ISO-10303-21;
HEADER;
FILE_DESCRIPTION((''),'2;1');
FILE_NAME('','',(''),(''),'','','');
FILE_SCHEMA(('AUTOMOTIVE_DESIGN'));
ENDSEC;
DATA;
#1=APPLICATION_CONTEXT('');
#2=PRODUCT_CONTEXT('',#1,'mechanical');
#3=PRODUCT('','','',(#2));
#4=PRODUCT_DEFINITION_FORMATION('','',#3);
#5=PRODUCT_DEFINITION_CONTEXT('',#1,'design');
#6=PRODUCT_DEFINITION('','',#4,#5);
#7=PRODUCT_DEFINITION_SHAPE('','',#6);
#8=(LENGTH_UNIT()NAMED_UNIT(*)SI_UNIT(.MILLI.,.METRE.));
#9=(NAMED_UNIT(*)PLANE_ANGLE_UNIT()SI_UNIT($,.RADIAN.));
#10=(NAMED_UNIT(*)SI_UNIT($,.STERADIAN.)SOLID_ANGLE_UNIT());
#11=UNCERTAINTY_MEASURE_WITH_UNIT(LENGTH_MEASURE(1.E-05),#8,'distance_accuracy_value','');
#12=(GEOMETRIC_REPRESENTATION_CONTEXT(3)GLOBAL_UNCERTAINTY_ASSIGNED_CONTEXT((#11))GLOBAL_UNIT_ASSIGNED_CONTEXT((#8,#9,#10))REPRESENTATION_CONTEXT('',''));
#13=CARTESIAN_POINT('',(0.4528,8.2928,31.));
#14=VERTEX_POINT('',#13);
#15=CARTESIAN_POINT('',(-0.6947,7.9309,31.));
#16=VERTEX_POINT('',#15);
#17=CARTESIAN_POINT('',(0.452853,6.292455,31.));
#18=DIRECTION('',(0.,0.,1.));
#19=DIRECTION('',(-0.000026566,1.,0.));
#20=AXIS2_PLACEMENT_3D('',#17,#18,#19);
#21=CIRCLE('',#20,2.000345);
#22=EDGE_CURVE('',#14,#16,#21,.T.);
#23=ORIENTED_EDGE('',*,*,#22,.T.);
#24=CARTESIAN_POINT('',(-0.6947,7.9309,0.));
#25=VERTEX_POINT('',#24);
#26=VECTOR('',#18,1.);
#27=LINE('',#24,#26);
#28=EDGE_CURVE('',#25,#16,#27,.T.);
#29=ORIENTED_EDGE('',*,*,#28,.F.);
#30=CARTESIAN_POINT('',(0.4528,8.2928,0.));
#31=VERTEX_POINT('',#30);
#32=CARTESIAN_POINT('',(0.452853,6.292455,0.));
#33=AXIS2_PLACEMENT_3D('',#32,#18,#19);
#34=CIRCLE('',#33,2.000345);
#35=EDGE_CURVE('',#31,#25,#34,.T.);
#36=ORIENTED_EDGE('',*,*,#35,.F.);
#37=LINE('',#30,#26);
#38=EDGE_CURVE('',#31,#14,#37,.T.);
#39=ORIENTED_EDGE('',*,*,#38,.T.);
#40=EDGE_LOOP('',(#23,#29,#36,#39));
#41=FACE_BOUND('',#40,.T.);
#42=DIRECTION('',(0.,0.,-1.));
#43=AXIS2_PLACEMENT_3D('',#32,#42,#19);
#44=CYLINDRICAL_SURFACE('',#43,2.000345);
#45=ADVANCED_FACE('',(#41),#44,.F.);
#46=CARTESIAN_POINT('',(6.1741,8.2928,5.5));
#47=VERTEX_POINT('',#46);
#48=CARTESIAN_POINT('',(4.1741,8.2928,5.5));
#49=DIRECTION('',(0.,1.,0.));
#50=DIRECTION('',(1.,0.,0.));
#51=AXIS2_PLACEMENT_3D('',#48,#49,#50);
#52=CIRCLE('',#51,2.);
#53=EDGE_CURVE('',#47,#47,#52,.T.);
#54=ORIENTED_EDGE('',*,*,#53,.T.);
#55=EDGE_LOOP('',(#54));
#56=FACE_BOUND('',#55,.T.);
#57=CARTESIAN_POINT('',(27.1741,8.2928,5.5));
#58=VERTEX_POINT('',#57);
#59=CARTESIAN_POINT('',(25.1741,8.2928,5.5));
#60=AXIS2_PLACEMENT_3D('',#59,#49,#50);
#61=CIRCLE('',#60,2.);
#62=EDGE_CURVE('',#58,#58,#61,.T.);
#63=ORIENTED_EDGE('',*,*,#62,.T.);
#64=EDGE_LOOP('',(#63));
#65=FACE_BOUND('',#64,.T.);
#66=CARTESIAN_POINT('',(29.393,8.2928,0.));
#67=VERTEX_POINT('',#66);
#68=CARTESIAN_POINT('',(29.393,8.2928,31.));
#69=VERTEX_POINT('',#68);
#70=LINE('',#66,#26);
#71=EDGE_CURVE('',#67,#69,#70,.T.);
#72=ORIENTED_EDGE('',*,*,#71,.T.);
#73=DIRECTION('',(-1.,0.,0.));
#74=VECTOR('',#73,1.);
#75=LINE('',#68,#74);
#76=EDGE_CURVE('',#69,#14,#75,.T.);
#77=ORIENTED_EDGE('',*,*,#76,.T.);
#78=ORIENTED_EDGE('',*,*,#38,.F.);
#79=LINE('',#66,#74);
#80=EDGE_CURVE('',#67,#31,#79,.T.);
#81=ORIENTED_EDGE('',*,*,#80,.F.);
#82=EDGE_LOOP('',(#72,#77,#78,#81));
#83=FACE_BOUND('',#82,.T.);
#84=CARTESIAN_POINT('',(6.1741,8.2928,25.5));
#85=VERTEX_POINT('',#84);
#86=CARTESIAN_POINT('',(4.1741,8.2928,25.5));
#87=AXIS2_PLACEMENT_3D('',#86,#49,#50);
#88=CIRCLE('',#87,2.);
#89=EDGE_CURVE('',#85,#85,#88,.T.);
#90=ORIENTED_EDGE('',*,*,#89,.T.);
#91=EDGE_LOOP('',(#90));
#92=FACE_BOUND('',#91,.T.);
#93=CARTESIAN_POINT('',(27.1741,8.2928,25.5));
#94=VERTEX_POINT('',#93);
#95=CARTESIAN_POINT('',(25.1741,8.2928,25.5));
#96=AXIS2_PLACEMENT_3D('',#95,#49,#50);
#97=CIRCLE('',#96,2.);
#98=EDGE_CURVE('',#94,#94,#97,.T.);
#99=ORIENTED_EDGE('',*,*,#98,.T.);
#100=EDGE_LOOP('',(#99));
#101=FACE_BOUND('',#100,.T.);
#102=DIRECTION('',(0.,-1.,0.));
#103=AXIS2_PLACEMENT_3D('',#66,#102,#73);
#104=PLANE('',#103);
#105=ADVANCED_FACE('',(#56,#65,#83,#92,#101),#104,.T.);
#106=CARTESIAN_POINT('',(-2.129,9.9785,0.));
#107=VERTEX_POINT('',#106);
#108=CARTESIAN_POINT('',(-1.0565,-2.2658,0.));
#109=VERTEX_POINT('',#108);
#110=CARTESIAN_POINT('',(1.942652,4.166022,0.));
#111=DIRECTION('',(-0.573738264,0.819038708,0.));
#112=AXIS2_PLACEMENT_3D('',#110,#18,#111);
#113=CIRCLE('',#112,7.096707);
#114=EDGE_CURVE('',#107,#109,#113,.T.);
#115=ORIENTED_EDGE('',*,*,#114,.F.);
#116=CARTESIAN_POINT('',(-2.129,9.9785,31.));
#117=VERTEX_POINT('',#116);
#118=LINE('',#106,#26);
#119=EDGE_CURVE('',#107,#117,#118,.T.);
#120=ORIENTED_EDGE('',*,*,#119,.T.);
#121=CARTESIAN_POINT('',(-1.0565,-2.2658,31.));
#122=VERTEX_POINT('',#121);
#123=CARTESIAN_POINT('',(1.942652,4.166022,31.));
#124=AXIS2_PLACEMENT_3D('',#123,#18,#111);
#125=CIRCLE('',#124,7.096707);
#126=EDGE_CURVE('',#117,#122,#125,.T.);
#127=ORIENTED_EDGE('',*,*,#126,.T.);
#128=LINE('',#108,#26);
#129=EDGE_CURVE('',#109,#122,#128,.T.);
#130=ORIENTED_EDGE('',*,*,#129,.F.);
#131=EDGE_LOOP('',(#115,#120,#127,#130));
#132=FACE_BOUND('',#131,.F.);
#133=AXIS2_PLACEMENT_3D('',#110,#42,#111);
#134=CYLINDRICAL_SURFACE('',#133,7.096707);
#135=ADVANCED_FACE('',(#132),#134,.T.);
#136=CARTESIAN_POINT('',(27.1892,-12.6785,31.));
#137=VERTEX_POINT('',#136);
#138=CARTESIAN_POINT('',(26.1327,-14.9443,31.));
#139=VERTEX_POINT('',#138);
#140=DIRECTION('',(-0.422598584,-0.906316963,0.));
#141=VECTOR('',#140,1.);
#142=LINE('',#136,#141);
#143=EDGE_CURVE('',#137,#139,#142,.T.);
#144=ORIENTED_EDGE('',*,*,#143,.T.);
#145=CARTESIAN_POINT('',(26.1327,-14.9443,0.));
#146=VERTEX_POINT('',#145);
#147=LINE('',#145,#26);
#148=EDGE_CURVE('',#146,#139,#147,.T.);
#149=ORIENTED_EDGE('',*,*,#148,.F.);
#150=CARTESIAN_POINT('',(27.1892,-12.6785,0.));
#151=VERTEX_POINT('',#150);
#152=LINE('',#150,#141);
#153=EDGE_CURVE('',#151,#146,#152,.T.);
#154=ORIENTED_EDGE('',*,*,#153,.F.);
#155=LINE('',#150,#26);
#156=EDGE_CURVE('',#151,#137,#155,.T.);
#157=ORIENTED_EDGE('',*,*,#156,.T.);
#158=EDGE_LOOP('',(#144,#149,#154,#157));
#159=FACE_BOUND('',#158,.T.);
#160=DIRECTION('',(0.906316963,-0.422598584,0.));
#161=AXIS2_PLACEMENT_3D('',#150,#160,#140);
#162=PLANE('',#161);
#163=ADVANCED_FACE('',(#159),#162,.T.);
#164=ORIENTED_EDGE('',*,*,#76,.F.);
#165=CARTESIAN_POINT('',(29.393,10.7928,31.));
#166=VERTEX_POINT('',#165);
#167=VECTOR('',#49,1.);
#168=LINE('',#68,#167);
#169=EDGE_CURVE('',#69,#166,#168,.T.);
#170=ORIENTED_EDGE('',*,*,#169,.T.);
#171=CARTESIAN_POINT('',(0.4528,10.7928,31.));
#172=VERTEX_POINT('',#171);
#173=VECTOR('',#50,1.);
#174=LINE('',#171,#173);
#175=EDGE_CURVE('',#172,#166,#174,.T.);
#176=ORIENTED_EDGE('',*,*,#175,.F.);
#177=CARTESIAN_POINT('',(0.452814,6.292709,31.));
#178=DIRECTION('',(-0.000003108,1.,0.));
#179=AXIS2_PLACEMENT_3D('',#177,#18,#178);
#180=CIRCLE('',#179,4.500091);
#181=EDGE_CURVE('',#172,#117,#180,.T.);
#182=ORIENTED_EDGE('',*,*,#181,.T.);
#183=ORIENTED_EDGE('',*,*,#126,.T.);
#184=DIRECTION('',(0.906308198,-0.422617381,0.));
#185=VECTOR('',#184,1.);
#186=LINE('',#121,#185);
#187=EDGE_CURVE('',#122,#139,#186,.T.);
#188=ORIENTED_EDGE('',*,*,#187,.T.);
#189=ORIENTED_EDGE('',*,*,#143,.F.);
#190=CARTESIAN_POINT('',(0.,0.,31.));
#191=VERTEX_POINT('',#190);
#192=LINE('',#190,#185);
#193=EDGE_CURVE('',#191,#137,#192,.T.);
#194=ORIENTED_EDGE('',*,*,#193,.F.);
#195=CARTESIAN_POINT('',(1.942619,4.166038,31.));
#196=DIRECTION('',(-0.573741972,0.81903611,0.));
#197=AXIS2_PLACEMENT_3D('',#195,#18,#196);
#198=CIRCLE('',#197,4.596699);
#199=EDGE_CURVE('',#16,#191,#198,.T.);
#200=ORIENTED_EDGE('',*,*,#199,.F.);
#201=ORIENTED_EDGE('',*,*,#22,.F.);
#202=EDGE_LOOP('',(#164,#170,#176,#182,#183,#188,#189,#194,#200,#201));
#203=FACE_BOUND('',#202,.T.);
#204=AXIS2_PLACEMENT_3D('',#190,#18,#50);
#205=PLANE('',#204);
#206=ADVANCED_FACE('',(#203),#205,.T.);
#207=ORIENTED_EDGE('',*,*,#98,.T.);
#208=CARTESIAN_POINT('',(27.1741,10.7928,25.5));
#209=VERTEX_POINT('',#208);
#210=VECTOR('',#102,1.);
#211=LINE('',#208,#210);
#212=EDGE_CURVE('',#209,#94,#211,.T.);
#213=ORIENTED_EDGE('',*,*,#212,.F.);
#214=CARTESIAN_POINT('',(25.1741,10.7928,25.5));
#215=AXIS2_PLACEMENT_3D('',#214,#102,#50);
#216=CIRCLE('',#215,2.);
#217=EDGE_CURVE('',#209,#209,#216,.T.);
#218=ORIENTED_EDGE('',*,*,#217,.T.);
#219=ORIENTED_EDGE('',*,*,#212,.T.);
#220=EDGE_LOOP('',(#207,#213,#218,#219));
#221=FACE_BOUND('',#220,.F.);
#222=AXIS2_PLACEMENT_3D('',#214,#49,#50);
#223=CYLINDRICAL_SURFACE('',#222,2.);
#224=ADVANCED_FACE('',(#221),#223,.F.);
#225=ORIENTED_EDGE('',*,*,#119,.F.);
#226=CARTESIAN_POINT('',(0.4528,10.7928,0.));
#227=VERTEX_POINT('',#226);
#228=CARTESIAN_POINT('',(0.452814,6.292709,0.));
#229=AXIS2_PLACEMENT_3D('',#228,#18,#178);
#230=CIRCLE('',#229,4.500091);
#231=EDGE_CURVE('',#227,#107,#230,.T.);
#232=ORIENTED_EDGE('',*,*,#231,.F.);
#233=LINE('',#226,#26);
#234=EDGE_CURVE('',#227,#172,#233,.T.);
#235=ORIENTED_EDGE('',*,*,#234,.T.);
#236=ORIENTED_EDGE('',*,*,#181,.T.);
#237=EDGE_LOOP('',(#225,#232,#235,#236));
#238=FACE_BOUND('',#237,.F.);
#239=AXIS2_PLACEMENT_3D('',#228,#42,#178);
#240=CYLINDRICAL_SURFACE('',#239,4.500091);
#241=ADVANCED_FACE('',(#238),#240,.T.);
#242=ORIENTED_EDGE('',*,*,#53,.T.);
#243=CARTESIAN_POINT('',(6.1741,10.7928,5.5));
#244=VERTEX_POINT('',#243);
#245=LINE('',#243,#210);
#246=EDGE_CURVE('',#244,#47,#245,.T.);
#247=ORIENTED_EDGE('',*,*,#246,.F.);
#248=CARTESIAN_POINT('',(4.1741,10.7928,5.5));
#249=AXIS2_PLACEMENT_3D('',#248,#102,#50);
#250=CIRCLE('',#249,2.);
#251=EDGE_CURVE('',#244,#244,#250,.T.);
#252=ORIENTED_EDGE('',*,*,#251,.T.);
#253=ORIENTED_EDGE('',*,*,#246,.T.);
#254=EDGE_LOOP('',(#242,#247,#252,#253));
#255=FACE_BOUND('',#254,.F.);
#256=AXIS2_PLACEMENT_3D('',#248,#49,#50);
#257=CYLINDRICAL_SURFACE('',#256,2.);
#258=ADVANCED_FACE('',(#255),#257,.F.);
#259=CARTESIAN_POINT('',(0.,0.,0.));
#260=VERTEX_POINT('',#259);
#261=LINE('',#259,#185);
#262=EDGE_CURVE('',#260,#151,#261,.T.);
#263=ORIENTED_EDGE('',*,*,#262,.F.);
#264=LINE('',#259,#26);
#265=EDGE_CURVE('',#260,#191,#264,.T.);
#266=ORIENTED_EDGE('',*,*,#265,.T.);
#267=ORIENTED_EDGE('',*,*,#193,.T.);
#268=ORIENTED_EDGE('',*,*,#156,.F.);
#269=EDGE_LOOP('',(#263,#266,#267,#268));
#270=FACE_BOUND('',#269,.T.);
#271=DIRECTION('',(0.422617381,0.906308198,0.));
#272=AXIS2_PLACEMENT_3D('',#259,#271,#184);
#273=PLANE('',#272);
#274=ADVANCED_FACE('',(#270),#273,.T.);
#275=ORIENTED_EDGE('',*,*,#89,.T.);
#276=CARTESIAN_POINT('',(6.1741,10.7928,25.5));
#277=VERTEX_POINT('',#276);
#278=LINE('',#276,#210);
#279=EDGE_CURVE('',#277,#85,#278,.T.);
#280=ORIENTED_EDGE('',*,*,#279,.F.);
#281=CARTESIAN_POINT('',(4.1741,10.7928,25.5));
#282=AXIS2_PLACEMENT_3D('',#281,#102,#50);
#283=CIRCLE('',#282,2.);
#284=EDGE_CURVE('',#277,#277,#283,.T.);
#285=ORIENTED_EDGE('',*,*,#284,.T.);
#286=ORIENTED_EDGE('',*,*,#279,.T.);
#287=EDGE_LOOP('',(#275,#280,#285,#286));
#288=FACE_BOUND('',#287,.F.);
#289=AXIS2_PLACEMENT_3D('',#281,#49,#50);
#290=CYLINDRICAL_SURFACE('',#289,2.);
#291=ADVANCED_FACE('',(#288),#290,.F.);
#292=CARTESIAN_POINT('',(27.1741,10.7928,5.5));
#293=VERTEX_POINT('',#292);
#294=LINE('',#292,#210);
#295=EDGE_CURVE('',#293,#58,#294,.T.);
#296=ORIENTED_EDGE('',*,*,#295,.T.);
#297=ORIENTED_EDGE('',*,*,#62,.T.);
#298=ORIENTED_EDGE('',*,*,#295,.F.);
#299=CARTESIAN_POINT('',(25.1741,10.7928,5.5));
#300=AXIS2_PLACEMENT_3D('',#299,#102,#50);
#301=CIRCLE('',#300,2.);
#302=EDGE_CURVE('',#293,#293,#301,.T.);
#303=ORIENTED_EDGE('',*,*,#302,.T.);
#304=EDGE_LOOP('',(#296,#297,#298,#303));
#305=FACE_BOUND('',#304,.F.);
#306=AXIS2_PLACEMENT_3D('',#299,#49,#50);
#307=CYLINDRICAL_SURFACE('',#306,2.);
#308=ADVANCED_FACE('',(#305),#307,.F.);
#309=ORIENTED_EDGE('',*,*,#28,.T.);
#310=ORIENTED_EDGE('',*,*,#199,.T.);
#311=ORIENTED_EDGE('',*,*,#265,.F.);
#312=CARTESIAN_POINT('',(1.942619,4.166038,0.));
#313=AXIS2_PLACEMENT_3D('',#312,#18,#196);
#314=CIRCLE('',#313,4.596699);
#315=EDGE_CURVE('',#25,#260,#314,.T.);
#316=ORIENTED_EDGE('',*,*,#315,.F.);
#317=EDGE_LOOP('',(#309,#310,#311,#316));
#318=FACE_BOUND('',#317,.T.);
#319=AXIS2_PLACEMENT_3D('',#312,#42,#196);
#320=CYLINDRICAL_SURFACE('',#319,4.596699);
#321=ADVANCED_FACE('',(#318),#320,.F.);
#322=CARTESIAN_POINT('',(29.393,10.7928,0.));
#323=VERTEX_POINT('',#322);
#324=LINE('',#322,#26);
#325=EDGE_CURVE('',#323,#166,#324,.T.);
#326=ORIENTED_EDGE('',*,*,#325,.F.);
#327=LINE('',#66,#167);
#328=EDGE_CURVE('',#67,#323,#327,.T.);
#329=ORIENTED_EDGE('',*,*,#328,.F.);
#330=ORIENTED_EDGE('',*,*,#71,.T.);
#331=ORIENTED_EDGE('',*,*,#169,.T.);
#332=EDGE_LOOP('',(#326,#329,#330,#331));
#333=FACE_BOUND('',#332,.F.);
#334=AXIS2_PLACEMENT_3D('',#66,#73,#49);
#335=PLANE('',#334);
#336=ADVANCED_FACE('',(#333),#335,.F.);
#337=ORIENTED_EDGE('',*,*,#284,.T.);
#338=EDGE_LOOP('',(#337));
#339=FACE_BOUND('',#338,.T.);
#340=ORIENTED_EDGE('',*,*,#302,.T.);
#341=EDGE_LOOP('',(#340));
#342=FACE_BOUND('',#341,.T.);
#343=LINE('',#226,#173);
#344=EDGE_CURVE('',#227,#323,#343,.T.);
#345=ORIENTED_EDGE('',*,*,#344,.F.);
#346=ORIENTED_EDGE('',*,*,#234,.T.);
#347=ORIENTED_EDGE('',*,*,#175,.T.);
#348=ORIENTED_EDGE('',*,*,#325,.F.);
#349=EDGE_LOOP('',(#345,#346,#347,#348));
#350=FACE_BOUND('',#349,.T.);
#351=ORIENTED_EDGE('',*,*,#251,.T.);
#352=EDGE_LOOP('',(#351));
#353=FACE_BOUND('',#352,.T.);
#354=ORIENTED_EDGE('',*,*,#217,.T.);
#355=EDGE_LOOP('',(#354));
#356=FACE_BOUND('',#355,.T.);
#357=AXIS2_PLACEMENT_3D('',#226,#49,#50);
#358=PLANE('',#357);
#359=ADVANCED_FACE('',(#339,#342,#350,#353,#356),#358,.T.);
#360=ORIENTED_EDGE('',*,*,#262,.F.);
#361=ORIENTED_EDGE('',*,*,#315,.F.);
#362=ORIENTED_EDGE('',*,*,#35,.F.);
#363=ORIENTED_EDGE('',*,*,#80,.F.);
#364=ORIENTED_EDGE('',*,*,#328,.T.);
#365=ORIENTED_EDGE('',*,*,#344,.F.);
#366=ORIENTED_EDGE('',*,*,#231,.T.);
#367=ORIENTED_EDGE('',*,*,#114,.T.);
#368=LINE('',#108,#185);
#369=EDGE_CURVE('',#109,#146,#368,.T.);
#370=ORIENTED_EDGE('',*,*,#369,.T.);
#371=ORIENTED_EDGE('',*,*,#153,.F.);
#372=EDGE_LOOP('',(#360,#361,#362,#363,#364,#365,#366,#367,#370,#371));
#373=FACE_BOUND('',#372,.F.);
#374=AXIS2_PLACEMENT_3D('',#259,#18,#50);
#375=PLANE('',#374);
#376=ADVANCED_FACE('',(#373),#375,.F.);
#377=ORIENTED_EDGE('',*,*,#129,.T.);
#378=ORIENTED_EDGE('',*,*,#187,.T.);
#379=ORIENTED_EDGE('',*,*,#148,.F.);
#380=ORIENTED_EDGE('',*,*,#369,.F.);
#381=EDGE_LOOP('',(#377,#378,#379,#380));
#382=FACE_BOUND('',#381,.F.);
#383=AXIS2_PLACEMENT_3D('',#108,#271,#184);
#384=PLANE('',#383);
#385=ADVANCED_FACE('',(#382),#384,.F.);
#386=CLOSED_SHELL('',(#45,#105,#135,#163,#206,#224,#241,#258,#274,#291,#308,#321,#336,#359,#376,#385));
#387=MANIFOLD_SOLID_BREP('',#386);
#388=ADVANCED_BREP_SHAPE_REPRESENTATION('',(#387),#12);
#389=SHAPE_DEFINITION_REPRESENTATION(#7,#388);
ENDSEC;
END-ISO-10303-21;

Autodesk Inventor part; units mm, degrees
ref_plane "YZ Plane" through (0, 0, 0) normal (1, 0, 0) x (0, 1, 0)
ref_plane "XZ Plane" through (0, 0, 0) normal (0, 1, 0) x (-1, 0, 0)
sketch "Sketch1" plane through (0, 0, 0) normal (0, 0, 1) x (1, 0, 0)
  line L0 (0, 0) -> (27.1892, -12.6785) projected
  line L1 (-1.0565, -2.2658) -> (26.1327, -14.9443) projected
  line L2 (-1.8478, -3.9627) -> (0.8452, 1.8126) projected
  line L3 (27.1892, -12.6785) -> (26.1327, -14.9443) projected
  line L4 (29.393, 8.2928) -> (0.4528, 8.2928)
  arc A0 (-0.6947, 7.9309) -> (0, 0) centre (1.9427, 4.166) ccw
  arc A1 (0.4528, 8.2928) -> (-0.6947, 7.9309) centre (0.4528, 6.2928) ccw
  arc A2 (-2.129, 9.9785) -> (-1.0565, -2.2658) centre (1.9427, 4.166) ccw
  arc A3 (0.4528, 10.7928) -> (-2.129, 9.9785) centre (0.4528, 6.2928) ccw
  line L5 (0.4528, 10.7928) -> (29.393, 10.7928)
  line L6 (29.393, 8.2928) -> (29.393, 10.7928)
  point P0 (-0.082, 8.2928)
  dimension "d2" = 2
ref_plane "Work Plane1" through (-1.0565, -14.9443, 31) normal (0, 0, -1) x (0, 1, 0)
extrude "Extrusion1" add sketch "Sketch1" along normal up to surface (31 mm away)
sketch "Sketch2" plane through (0.4528, 10.7928, 0) normal (0, 1, 0) x (1, 0, 0)
  line L0 (28.9401, 0) -> (28.9401, -31) projected
  line L1 (0, 0) -> (0, -31) projected
  line L2 (28.9401, 0) -> (0, 0)
  line L3 (0, 0) -> (0, -15.5)
  line L4 (0, -15.5) -> (28.9401, -15.5)
  line L5 (28.9401, -15.5) -> (28.9401, 0)
  line L6 (24.7213, -15.5) -> (28.7213, -15.5)
  line L7 (24.7213, -15.5) -> (24.7213, -25.5)
  line L8 (24.7213, -25.5) -> (3.7213, -25.5)
  line L9 (3.7213, -25.5) -> (3.7213, -5.5)
  line L10 (3.7213, -5.5) -> (24.7213, -5.5)
  line L11 (24.7213, -5.5) -> (24.7213, -25.5)
  circle A0 centre (24.7213, -5.5) radius 2
  circle A1 centre (24.7213, -25.5) radius 2
  circle A2 centre (3.7213, -25.5) radius 2
  circle A3 centre (3.7213, -5.5) radius 2
  point P0 (-0.4528, 0)
  dimension "d5" = 4
  dimension "d6" = 10
  dimension "d7" = 21
  dimension "d8" = 20
  dimension "d9" = 4
  dimension "d10" = 4
  dimension "d11" = 4
  dimension "d12" = 4
extrude "Extrusion2" cut sketch "Sketch2" against normal up to surface (2.5 mm away) contours A1 L8 L7 | L7 L8 A1 | A0 L10 L11 | L11 L10 A0 | A2 L8 L9 | L9 L8 A2 | A3 L10 L9 | L9 L10 A3
properties part number "helmet_holder"
